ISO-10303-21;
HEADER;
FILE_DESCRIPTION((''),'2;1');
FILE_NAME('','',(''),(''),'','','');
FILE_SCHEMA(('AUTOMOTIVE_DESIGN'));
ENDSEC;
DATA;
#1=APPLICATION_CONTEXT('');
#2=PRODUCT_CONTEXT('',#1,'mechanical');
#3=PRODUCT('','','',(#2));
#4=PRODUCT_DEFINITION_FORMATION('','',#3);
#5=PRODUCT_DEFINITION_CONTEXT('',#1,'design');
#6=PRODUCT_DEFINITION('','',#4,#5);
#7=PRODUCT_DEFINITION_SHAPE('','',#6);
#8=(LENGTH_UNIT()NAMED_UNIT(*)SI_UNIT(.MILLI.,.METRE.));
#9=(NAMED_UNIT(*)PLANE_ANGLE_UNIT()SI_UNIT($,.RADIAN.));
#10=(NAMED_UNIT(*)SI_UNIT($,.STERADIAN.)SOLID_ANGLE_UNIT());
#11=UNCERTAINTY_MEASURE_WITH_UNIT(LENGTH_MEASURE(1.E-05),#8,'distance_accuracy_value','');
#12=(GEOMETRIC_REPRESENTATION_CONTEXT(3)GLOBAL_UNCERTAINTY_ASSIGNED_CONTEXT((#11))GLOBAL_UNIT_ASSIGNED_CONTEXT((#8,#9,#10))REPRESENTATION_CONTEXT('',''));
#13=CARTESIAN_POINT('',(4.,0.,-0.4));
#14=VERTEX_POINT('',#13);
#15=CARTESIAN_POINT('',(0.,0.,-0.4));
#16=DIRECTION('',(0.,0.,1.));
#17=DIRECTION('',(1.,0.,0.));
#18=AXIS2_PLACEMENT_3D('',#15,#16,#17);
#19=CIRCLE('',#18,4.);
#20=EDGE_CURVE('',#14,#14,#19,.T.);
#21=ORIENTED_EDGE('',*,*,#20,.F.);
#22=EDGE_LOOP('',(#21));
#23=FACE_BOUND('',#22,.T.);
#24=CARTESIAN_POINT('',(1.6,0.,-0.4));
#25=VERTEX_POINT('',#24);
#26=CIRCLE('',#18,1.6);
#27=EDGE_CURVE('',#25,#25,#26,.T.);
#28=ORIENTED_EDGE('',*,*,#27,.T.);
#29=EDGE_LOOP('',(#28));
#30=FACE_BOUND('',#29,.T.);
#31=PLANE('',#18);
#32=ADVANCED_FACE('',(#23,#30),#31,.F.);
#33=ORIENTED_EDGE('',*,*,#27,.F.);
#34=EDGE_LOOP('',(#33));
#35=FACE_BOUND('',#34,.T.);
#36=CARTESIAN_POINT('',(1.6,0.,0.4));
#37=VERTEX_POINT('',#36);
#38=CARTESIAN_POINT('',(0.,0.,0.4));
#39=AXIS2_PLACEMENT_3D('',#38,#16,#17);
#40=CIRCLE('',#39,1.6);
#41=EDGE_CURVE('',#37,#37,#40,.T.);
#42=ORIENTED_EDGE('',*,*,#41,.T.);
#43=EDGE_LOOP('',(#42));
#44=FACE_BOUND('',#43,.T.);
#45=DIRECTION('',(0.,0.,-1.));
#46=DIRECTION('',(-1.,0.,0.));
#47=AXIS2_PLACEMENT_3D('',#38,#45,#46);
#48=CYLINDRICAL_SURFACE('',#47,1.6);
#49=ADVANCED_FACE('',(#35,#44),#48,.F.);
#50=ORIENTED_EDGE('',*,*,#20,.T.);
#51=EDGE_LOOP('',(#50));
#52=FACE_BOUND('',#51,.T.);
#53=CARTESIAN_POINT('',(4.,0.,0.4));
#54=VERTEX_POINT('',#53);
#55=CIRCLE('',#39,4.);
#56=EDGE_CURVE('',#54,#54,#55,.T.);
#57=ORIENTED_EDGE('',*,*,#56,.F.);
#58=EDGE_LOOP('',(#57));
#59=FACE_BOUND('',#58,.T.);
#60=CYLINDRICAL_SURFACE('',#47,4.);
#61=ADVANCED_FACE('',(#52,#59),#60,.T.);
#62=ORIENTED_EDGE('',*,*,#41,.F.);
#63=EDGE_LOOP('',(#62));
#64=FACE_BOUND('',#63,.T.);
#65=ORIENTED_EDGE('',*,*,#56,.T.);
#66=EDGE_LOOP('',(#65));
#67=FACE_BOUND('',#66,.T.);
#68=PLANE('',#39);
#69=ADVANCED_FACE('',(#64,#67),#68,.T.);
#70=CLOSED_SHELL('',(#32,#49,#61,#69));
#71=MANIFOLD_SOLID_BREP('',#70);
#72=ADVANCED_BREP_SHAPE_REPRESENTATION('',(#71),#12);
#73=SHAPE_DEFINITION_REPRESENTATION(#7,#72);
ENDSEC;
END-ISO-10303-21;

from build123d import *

# Parameters (mm, degrees)
SKETCH3_R           = 4
SKETCH3_R_2         = 1.6
BOSS_EXTRUDE1_DEPTH = 0.4


with BuildPart() as part:
    # Sketch3 → Boss-Extrude1 (new body, symmetric)
    with BuildSketch(Plane.XY):
        Circle(SKETCH3_R)
        Circle(SKETCH3_R_2, mode=Mode.SUBTRACT)
    extrude(amount=BOSS_EXTRUDE1_DEPTH, both=True)


solid = part.part
